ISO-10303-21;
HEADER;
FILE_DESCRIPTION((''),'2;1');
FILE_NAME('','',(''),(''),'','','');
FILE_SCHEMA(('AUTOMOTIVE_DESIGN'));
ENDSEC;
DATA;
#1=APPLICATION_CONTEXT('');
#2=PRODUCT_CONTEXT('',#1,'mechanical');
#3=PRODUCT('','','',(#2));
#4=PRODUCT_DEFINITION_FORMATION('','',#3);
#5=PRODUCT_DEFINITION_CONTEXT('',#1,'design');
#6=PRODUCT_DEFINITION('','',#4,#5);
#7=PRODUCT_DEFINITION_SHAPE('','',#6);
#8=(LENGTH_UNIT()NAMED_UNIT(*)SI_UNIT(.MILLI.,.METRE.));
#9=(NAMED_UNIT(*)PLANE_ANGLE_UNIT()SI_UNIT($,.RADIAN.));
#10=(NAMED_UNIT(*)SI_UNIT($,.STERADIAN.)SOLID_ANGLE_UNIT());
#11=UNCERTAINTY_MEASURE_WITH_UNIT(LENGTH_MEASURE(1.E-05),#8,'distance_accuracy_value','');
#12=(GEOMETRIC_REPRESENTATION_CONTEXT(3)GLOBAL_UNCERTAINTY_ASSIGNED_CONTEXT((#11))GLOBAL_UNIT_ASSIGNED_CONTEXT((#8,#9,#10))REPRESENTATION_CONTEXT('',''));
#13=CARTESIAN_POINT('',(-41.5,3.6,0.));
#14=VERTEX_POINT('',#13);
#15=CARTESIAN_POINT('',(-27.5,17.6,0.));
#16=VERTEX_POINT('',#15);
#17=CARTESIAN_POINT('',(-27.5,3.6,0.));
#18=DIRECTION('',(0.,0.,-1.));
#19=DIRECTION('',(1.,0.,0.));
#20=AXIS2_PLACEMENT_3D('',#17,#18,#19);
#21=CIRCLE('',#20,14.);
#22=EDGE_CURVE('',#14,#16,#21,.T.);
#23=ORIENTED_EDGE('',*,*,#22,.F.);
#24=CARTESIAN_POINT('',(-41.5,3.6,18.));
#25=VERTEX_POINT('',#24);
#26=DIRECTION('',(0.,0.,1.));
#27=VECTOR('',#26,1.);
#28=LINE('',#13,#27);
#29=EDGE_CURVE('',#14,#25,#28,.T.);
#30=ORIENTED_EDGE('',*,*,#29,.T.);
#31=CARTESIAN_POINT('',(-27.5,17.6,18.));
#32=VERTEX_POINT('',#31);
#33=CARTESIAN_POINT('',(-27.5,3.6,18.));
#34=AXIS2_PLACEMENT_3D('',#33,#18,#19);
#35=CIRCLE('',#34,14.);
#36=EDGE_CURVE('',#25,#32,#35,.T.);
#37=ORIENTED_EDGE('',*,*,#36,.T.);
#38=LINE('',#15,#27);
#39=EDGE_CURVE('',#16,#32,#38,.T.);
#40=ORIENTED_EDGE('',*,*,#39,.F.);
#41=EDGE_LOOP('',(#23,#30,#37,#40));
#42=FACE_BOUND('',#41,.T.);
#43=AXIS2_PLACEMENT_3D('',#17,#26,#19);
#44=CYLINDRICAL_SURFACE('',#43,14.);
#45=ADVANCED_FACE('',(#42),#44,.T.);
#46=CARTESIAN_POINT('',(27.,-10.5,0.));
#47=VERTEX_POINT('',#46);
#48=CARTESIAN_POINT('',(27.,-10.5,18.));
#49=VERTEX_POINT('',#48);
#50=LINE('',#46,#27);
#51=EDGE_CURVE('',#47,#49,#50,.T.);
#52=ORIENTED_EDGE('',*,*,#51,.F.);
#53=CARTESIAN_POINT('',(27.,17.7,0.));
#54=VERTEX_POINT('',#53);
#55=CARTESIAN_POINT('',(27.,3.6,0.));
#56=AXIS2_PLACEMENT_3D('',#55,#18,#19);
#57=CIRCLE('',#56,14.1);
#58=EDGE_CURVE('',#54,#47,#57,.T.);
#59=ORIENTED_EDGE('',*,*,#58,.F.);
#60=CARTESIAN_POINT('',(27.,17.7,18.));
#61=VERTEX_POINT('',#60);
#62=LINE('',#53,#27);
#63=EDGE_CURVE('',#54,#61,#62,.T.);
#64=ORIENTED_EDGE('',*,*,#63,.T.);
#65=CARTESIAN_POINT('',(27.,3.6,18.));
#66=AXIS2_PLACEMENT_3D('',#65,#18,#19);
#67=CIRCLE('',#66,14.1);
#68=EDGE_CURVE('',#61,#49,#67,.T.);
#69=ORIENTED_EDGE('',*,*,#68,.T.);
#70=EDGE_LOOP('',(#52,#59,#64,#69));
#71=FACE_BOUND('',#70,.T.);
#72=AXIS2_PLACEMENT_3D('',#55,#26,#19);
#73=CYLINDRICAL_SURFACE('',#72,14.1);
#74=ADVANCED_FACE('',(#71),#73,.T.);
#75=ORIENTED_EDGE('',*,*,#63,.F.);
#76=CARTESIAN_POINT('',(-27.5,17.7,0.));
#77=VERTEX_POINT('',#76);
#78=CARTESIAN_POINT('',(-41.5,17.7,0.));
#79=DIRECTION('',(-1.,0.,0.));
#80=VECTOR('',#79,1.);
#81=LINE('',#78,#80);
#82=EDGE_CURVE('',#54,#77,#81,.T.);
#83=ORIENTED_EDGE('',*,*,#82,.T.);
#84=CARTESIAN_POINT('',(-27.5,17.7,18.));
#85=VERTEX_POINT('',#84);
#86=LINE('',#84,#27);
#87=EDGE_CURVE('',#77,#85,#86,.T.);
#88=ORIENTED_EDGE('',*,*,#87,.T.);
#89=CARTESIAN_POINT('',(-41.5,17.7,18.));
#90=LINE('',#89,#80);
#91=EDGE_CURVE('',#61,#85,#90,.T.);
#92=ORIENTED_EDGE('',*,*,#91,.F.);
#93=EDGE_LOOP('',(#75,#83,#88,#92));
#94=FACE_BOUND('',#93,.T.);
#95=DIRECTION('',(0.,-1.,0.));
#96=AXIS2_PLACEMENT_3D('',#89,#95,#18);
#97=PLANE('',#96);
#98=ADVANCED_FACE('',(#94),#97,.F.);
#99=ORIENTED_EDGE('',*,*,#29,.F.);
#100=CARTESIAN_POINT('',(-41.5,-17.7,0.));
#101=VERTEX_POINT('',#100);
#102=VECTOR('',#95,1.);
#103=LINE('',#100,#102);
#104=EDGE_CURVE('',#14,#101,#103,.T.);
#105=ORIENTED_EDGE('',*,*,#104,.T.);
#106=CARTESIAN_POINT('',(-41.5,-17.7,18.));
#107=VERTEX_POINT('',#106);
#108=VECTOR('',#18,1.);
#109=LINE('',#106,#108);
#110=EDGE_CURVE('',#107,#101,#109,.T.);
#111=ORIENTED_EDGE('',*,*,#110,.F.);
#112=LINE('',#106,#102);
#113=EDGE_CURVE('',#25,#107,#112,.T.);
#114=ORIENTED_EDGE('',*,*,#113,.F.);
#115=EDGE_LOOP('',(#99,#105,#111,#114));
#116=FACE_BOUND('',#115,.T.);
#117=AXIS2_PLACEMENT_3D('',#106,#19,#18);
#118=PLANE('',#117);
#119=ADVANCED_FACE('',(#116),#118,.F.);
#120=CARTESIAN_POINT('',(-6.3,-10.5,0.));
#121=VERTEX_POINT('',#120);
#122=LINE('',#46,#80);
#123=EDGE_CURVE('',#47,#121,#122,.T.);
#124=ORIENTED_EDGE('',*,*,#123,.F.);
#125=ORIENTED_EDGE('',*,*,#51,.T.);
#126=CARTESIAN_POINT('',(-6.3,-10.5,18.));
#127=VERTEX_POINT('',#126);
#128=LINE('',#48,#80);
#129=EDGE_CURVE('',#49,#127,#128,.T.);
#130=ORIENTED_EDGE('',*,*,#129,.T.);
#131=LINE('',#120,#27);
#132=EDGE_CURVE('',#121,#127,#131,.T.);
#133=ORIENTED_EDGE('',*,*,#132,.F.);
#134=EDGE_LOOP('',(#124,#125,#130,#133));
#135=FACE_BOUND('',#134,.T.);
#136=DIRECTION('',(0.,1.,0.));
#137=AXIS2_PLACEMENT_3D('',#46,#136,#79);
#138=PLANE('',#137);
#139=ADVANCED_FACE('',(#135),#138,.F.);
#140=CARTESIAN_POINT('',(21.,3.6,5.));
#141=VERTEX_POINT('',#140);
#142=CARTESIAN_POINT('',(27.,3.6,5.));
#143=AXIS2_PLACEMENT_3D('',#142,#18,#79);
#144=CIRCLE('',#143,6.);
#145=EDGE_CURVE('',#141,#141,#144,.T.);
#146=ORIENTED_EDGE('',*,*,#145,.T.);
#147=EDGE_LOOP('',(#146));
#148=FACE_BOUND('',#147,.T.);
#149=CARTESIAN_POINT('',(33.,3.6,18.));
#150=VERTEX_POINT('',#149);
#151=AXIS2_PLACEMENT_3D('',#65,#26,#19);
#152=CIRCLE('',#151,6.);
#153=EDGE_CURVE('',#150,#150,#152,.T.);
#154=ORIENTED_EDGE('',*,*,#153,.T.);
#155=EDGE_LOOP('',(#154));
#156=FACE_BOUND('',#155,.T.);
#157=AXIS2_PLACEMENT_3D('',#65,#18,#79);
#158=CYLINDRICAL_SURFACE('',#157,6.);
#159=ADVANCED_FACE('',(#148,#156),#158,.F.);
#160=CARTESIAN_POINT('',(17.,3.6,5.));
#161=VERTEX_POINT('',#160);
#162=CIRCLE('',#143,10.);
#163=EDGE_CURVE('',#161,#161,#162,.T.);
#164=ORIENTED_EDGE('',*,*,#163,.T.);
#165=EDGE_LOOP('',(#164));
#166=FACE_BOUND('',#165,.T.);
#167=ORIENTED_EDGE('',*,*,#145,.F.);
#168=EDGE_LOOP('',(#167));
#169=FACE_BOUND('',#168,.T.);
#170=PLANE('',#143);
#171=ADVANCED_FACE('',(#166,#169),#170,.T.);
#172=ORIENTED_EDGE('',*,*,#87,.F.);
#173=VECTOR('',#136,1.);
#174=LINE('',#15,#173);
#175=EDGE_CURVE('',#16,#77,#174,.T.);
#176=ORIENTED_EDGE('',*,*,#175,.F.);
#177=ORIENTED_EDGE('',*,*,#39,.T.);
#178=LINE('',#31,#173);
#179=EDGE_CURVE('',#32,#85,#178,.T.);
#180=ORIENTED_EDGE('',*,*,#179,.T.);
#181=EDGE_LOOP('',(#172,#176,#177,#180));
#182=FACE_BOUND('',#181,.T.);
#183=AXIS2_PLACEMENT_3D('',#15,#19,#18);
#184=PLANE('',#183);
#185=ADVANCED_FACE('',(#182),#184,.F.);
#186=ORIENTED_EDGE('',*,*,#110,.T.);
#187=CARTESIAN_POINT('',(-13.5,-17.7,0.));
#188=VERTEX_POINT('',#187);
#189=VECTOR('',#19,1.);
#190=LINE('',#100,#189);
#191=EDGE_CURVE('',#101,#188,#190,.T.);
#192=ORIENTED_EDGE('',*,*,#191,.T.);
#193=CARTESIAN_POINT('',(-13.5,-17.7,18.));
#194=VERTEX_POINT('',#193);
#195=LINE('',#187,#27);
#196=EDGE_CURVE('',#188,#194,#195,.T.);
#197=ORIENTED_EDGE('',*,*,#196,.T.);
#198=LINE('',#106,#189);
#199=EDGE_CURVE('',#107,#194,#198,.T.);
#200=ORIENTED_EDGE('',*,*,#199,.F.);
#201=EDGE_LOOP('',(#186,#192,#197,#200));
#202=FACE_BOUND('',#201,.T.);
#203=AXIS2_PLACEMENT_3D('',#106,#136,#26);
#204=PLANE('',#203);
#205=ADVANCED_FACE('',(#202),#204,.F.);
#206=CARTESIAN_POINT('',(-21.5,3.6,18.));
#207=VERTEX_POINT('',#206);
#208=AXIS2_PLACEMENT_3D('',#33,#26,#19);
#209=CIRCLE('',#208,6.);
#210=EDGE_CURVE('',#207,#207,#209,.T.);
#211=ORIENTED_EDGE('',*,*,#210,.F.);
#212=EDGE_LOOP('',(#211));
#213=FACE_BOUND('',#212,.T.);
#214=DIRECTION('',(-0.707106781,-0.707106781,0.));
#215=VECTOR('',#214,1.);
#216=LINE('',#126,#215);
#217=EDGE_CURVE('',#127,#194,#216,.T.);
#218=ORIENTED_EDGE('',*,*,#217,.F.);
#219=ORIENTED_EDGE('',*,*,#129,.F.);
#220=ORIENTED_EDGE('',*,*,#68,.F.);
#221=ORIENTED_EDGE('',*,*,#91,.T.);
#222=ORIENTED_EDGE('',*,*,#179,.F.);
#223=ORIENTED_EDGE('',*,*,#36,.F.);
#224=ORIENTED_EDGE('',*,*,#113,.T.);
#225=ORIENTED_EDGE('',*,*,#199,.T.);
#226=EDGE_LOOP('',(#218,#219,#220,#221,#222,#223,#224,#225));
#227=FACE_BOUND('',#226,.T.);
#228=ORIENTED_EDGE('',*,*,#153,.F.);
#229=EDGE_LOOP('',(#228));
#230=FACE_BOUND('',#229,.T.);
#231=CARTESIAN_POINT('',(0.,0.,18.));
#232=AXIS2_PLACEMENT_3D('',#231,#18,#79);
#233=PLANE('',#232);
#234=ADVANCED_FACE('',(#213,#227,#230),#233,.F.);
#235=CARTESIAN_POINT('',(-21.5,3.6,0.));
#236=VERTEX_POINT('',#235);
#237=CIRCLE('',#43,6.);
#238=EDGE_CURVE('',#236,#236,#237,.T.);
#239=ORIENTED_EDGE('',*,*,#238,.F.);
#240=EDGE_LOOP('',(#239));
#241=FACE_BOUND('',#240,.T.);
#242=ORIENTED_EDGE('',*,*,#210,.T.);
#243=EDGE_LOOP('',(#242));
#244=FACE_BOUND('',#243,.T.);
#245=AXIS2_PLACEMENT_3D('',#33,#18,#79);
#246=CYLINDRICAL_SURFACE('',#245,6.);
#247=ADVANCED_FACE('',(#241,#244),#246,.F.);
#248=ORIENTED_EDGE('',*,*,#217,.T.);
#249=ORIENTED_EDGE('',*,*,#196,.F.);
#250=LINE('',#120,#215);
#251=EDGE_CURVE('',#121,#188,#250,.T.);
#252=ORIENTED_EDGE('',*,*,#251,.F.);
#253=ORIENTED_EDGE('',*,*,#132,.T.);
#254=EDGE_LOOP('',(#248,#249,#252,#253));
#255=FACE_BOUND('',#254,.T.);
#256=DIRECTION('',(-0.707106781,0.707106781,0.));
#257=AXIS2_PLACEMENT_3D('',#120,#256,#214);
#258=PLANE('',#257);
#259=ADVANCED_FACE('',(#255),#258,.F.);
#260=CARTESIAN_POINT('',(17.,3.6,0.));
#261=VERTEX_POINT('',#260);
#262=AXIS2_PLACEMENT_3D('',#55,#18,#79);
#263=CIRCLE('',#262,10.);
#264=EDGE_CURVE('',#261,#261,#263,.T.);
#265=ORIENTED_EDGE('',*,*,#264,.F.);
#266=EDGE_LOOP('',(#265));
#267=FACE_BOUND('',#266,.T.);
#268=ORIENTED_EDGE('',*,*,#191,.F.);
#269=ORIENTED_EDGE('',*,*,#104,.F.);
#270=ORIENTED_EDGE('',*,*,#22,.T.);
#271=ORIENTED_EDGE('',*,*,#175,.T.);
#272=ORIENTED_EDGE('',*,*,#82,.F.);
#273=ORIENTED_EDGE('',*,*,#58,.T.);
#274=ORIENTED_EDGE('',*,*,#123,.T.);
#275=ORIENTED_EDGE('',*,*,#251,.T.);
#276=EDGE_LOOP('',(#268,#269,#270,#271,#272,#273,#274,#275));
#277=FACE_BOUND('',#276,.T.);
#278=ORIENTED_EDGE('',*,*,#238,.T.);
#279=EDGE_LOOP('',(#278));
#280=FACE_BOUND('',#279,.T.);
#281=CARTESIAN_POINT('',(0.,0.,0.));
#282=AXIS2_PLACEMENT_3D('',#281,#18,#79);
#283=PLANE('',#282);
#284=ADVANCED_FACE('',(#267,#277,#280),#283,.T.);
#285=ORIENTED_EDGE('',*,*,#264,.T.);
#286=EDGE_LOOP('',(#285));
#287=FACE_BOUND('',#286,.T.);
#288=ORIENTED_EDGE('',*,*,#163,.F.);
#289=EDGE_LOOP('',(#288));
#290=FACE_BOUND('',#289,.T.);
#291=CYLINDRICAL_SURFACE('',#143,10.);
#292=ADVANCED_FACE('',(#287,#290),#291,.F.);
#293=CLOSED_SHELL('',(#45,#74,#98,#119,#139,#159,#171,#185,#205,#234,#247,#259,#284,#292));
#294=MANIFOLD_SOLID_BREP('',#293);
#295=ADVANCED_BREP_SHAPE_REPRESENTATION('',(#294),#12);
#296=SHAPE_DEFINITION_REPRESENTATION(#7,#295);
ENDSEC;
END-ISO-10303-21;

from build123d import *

# Parameters (mm, degrees)
SKETCH1_W           = 83
SKETCH1_H           = 35.4
SKETCH1_R           = 6
BOSS_EXTRUDE1_DEPTH = 18
CUT_EXTRUDE1_DEPTH  = 49.5750965
CUT_EXTRUDE2_DEPTH  = 49.5750965
SKETCH4_R           = 10
CUT_EXTRUDE3_DEPTH  = 5


with BuildPart() as part:
    # Sketch1 → Boss-Extrude1 (new body)
    with BuildSketch(Plane.XY):
        Rectangle(SKETCH1_W, SKETCH1_H)
        with Locations((-27.5, 3.6)):
            Circle(SKETCH1_R, mode=Mode.SUBTRACT)
        with Locations((27, 3.6)):
            Circle(SKETCH1_R, mode=Mode.SUBTRACT)
    extrude(amount=BOSS_EXTRUDE1_DEPTH)

    # Sketch2 → Cut-Extrude1 (cut, through all)
    with BuildSketch(Plane.XY.offset(18)):
        with BuildLine():
            Line((27, -10.5), (-6.3, -10.5))
            Line((-6.3, -10.5), (-13.5, -17.7))
            Line((-13.5, -17.7), (-41.5, -17.7))
            Line((-41.5, -17.7), (-41.5, -37.108146422))
            Line((-41.5, -37.108146422), (58.064931867, -37.108146422))
            Line((58.064931867, -37.108146422), (58.064931867, 31.4831893))
            Line((58.064931867, 31.4831893), (27, 31.4831893))
            Line((27, 31.4831893), (27, 17.7))
            ThreePointArc((27, 17.7), (41.1, 3.6), (27, -10.5))
        make_face()
    extrude(amount=-CUT_EXTRUDE1_DEPTH, mode=Mode.SUBTRACT)

    # Sketch3 → Cut-Extrude2 (cut, through all)
    with BuildSketch(Plane.XY.offset(18)):
        with BuildLine():
            Line((-27.5, 17.6), (-27.5, 27.141783499))
            Line((-27.5, 27.141783499), (-58.476255023, 27.141783499))
            Line((-58.476255023, 27.141783499), (-58.476255023, 3.6))
            Line((-58.476255023, 3.6), (-41.5, 3.6))
            ThreePointArc((-41.5, 3.6), (-37.399494937, 13.499494937), (-27.5, 17.6))
        make_face()
    extrude(amount=-CUT_EXTRUDE2_DEPTH, mode=Mode.SUBTRACT)

    # Sketch4 → Cut-Extrude3 (cut)
    with BuildSketch(Plane(origin=(0, 0, 0), x_dir=(-1, 0, 0), z_dir=(0, 0, -1))):
        with Locations((-27, 3.6)):
            Circle(SKETCH4_R)
    extrude(amount=-CUT_EXTRUDE3_DEPTH, mode=Mode.SUBTRACT)


solid = part.part
